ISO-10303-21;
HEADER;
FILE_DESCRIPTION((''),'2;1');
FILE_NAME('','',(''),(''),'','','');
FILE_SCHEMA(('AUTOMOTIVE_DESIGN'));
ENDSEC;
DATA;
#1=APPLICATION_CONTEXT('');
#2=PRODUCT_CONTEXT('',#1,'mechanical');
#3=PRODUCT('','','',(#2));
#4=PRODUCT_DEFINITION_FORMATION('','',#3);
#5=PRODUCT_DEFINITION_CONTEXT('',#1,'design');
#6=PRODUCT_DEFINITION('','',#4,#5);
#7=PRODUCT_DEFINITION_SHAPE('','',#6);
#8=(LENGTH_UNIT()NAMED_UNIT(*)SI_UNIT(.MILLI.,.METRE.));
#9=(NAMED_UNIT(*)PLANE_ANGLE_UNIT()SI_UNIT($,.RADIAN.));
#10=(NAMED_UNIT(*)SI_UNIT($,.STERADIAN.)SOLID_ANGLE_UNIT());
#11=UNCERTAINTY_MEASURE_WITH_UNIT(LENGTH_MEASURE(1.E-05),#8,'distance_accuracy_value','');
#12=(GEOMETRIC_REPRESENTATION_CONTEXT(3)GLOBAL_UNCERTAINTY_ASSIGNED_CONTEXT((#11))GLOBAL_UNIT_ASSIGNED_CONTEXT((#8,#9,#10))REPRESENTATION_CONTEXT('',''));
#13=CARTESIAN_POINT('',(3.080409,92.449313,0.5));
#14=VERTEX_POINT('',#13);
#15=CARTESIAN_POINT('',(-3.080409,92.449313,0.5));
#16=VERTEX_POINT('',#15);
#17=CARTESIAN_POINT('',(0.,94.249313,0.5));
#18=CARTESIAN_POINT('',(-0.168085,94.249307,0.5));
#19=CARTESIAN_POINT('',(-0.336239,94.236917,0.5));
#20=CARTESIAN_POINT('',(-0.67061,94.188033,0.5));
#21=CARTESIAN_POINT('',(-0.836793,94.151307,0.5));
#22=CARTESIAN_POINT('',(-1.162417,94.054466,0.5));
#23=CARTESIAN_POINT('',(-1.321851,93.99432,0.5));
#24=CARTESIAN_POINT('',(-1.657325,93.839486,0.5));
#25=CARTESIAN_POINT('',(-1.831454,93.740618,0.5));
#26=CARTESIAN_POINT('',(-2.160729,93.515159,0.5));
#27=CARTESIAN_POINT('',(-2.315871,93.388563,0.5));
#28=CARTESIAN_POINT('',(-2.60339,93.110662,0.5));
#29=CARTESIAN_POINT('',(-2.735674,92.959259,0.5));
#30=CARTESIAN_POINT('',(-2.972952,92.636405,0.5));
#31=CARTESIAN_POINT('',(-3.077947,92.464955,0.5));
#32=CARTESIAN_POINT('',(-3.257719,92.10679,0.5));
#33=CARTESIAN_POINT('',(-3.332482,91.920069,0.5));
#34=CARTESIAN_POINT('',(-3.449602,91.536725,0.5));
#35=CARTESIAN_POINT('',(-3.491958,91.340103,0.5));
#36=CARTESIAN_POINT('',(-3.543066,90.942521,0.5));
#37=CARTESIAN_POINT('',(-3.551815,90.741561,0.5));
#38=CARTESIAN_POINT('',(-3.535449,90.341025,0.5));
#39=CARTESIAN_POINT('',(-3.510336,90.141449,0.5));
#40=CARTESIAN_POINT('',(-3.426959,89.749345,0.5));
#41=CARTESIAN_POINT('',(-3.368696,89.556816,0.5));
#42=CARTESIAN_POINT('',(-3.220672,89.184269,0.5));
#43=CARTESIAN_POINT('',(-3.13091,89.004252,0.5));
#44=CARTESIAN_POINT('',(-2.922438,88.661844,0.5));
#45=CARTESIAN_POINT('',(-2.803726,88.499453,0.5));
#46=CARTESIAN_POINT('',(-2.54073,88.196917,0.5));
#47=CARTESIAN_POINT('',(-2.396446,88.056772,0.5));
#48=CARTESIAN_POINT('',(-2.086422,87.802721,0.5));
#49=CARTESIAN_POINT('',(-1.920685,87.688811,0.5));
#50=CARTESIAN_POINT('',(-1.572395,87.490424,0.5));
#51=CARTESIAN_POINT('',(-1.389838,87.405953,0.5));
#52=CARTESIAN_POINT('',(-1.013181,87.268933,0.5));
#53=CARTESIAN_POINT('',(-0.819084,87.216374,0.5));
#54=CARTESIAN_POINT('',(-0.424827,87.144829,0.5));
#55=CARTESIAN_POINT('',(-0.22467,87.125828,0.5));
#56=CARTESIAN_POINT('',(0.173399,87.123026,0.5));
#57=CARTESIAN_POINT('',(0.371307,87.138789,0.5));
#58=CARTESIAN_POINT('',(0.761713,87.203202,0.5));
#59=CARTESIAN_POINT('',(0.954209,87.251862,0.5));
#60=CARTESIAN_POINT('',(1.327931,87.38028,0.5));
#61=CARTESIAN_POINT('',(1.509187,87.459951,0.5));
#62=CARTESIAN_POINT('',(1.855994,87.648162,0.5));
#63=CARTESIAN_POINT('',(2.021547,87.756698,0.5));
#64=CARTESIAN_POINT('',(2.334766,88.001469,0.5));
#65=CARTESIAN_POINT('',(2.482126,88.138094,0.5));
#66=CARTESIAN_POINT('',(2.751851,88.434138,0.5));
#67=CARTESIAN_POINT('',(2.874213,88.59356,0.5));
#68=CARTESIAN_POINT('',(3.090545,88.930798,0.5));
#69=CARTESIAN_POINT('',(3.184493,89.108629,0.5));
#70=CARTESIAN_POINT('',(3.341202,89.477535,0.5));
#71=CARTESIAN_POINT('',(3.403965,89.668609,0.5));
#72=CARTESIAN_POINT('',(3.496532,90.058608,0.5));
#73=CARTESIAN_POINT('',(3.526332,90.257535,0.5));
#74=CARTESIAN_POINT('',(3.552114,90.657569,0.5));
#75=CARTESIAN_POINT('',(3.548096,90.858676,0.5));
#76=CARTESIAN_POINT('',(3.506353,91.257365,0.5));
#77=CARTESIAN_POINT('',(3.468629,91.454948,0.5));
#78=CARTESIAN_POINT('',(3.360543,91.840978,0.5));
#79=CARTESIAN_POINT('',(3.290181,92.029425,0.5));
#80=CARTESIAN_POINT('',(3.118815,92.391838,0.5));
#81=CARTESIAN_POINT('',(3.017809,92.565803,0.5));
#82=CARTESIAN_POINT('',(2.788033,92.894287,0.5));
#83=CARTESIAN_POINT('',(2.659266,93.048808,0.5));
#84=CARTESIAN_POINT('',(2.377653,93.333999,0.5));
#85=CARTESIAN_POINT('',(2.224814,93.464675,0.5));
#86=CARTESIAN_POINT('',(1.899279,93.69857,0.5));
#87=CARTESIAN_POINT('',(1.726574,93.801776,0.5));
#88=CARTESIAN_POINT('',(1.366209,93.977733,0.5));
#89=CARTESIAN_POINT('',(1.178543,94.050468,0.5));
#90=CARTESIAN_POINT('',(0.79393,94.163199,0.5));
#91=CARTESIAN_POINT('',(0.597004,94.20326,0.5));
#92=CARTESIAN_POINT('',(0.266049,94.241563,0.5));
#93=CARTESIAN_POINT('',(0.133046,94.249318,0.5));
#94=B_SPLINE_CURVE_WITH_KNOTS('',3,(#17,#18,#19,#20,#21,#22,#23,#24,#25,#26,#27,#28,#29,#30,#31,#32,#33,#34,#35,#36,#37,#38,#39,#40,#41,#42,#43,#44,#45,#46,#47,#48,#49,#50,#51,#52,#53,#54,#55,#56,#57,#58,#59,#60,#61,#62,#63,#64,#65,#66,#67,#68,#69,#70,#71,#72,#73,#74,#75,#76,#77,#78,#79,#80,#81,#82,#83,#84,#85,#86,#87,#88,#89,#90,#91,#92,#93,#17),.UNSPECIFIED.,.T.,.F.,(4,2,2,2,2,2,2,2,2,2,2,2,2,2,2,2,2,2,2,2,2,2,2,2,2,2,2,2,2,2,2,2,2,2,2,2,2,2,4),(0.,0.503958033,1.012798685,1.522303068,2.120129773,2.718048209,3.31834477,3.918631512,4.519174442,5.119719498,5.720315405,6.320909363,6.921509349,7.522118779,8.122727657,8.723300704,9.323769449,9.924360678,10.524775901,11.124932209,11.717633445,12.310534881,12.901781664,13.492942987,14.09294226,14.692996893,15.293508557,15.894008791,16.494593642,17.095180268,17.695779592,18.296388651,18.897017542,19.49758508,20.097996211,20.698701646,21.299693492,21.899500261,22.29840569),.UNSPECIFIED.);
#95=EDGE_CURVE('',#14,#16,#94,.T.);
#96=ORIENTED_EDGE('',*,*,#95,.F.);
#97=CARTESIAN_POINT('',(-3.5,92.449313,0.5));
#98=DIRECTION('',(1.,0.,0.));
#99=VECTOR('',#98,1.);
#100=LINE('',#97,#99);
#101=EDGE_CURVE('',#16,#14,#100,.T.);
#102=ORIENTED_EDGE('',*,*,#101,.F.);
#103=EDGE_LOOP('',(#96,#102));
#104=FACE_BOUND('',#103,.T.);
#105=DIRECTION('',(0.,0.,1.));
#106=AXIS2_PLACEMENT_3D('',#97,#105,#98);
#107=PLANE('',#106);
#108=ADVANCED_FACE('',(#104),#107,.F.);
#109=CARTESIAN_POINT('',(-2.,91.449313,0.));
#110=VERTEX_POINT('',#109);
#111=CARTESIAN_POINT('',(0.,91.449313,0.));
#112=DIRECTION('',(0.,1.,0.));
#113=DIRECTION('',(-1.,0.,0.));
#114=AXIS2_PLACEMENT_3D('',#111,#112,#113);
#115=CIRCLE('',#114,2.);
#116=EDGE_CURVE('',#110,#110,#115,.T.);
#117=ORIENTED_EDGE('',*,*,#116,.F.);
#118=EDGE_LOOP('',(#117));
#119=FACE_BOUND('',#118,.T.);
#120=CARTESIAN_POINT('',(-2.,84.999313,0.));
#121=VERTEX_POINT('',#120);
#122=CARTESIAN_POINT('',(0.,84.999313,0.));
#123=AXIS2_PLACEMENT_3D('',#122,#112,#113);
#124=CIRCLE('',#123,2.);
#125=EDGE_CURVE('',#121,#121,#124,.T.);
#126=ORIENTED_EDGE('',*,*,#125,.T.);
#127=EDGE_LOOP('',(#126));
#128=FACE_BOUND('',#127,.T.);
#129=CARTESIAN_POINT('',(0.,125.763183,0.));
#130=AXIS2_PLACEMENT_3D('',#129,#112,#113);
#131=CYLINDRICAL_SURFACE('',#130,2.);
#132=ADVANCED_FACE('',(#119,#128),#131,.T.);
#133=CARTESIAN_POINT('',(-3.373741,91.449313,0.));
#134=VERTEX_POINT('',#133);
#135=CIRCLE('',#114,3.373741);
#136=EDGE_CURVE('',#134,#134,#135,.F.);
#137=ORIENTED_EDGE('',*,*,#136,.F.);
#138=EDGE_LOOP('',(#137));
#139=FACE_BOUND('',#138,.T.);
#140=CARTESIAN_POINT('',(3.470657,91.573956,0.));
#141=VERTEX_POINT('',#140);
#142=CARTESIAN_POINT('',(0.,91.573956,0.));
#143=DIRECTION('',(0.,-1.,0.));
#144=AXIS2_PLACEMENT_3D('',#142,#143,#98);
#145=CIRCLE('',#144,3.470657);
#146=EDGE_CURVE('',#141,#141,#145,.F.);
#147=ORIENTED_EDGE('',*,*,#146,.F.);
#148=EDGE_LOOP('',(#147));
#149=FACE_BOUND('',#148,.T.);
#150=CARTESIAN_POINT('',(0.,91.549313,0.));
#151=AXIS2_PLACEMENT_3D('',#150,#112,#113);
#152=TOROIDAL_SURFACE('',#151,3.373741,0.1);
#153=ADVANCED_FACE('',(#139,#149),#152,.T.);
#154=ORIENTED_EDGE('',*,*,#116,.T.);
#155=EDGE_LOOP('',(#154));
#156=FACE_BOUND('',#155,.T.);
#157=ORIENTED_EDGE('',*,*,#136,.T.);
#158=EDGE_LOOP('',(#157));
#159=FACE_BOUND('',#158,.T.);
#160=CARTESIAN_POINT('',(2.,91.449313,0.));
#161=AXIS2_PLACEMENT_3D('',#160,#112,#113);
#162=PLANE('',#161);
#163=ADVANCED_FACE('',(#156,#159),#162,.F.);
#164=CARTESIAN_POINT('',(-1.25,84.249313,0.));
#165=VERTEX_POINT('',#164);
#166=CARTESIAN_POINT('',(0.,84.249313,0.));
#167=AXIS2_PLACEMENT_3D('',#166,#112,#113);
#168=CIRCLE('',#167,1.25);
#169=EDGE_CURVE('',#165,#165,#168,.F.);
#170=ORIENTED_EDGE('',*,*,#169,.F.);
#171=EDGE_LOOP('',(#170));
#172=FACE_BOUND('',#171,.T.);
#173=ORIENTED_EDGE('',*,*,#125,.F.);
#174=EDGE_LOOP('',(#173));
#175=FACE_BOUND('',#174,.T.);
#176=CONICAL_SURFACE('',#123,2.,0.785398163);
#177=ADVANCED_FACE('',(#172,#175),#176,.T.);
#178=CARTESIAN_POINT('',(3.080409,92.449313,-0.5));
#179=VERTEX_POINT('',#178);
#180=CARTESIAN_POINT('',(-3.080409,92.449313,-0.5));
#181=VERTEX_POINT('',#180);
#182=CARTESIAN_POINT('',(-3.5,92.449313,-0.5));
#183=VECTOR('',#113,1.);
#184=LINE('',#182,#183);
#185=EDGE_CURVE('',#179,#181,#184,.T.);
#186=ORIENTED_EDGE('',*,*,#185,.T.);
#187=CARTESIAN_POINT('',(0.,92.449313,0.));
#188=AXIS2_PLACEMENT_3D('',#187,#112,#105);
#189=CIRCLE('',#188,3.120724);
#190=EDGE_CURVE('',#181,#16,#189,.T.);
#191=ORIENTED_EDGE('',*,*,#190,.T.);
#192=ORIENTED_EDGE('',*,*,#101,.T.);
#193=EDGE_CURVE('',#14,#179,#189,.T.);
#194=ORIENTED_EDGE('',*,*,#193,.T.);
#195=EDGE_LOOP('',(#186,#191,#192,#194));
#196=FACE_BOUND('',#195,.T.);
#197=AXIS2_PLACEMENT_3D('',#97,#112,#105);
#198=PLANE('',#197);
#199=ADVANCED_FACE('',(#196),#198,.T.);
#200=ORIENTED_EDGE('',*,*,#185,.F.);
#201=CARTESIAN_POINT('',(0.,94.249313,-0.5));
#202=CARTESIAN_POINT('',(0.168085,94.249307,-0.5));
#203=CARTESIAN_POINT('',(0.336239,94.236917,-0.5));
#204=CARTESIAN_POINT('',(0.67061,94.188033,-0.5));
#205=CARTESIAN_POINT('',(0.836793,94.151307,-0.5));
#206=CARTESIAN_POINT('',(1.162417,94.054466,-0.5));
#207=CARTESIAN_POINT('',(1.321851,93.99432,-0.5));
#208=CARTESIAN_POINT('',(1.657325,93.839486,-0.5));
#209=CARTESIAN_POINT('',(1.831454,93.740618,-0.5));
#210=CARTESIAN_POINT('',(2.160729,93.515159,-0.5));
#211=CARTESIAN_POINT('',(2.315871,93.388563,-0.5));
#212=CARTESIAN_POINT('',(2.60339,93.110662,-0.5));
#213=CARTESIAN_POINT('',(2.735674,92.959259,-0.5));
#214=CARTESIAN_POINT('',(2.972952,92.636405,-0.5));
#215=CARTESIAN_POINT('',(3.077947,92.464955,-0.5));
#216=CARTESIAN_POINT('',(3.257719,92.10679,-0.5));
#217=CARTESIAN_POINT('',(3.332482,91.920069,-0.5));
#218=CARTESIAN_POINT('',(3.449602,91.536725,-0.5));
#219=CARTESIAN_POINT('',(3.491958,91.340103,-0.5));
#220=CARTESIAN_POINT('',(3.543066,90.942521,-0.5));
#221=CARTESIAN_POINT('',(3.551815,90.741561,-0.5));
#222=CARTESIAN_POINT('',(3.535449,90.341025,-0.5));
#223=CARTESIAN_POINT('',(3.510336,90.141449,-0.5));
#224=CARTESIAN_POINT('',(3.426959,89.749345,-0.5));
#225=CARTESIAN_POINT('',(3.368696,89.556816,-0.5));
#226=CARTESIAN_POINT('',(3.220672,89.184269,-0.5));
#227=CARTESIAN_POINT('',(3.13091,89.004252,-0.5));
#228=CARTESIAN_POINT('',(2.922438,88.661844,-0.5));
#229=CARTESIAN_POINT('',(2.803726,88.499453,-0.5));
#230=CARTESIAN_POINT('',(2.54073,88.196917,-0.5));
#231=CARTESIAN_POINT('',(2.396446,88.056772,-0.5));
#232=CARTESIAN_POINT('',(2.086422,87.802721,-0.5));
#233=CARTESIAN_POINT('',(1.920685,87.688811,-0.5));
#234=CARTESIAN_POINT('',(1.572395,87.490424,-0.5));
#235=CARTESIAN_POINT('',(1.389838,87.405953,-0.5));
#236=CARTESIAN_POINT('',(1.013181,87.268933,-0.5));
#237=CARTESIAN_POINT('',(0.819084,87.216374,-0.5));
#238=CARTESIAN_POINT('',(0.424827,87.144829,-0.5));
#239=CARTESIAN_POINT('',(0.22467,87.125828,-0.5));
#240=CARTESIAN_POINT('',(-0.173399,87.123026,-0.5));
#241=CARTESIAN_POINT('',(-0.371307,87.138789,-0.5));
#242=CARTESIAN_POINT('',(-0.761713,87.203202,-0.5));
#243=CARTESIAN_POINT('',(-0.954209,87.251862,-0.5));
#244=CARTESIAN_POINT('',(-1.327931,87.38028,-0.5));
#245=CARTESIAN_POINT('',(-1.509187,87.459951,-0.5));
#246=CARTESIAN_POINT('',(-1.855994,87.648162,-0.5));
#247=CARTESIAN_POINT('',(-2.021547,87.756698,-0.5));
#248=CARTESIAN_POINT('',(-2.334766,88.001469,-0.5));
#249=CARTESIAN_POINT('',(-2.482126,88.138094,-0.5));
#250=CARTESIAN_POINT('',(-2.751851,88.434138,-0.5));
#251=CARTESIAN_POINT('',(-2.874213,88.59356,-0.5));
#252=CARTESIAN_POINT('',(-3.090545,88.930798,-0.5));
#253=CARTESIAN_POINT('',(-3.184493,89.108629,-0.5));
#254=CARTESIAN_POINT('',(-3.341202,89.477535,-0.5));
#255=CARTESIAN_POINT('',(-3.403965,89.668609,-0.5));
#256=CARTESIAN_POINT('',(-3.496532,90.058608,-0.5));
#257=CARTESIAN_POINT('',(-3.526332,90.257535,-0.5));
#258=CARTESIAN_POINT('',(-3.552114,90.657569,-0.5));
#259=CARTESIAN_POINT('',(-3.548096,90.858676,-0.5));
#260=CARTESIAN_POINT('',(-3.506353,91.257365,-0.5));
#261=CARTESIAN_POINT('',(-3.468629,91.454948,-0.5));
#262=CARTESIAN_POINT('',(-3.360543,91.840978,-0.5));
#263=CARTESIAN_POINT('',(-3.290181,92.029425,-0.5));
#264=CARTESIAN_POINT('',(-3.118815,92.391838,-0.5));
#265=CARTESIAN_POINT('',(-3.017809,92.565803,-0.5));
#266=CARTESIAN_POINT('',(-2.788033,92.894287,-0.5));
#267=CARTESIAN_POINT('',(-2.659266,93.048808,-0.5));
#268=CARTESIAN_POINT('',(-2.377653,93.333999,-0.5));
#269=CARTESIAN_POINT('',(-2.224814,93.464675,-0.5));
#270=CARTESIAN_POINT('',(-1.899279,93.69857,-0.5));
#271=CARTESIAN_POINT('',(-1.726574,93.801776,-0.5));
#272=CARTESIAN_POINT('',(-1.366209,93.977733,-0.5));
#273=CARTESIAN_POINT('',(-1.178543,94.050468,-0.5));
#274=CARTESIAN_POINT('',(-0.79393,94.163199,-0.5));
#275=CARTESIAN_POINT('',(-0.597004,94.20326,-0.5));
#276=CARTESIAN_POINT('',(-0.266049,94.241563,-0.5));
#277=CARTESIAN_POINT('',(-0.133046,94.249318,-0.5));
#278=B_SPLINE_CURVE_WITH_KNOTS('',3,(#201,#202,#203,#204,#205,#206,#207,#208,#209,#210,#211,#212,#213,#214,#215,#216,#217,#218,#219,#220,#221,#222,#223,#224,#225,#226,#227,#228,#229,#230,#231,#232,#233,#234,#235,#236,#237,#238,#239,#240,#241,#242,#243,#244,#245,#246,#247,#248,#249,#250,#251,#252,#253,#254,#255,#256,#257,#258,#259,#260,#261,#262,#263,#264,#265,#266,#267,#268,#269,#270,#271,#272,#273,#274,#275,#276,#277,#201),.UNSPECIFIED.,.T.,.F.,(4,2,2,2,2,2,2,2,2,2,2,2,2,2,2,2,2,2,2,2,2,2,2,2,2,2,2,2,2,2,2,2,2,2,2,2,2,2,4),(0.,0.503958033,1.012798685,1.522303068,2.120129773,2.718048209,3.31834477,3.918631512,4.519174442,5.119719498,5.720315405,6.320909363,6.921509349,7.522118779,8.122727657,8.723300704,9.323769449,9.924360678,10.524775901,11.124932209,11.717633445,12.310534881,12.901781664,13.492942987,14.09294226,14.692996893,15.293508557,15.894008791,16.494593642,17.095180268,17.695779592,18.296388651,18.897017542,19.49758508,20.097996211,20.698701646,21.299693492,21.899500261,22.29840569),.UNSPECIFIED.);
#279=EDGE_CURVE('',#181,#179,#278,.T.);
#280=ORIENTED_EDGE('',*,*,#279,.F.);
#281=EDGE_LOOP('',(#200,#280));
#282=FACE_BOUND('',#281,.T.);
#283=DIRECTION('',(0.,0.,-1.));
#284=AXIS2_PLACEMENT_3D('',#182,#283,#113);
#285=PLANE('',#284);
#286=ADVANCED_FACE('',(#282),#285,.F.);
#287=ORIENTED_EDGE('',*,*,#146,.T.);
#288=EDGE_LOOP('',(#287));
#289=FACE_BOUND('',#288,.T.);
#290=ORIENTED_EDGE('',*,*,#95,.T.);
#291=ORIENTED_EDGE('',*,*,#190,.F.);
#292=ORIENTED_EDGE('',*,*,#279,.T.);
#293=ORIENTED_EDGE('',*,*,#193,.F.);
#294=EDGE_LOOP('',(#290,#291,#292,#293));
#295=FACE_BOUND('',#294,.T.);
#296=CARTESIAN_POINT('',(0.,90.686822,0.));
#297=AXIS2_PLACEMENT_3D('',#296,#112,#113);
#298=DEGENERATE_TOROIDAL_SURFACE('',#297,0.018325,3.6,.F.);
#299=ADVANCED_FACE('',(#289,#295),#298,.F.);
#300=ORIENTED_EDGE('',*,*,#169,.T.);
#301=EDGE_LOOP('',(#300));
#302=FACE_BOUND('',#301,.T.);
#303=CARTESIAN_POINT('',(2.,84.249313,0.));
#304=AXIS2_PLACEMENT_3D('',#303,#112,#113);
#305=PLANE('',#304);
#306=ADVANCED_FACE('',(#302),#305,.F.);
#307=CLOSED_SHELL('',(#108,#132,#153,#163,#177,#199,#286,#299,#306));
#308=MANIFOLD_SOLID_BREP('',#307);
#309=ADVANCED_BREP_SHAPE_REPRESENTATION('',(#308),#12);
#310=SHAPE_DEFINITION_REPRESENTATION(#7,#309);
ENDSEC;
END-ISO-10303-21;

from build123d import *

# Parameters (mm, degrees)
SKETCH_13_W         = 7
SKETCH_13_H         = 1
CUT_EXTRUDE_9_DEPTH = 1.8
FILLET_1_R          = 0.1
CHAMFER_1_SIZE      = 0.75


with BuildPart() as part:
    # Эскиз1 → Повернуть1 (revolve)
    with BuildSketch(Plane.XY):
        with BuildLine():
            Line((2, 91.44931314), (3.5, 91.44931314))
            ThreePointArc((3.5, 91.44931314), (2.438021098, 93.318621459), (0.5, 94.24931314))
            Line((0.5, 94.24931314), (0, 94.24931314))
            Line((0, 94.24931314), (0, 84.24931314))
            Line((0, 84.24931314), (2, 84.24931314))
            Line((2, 84.24931314), (2, 91.44931314))
        make_face()
    revolve(axis=Axis((0, 125.763182898, 0), (0, -1, 0)))

    # Эскиз13 → Вырез-Вытянуть9 (cut)
    with BuildSketch(Plane(origin=(0, 94.24931314, 0), x_dir=(-1, 0, 0), z_dir=(0, 1, 0))):
        Rectangle(SKETCH_13_W, SKETCH_13_H)
    extrude(amount=-CUT_EXTRUDE_9_DEPTH, mode=Mode.SUBTRACT)

    # Скругление1
    fillet_1_edges = [part.edges().sort_by_distance(p)[0] for p in [
        (-3.5, 91.44931314, 0),
    ]]
    fillet(fillet_1_edges, radius=FILLET_1_R)

    # Фаска1
    chamfer_1_edges = [part.edges().sort_by_distance(p)[0] for p in [
        (-2, 84.24931314, 0),
    ]]
    chamfer(chamfer_1_edges, length=CHAMFER_1_SIZE)


solid = part.part
